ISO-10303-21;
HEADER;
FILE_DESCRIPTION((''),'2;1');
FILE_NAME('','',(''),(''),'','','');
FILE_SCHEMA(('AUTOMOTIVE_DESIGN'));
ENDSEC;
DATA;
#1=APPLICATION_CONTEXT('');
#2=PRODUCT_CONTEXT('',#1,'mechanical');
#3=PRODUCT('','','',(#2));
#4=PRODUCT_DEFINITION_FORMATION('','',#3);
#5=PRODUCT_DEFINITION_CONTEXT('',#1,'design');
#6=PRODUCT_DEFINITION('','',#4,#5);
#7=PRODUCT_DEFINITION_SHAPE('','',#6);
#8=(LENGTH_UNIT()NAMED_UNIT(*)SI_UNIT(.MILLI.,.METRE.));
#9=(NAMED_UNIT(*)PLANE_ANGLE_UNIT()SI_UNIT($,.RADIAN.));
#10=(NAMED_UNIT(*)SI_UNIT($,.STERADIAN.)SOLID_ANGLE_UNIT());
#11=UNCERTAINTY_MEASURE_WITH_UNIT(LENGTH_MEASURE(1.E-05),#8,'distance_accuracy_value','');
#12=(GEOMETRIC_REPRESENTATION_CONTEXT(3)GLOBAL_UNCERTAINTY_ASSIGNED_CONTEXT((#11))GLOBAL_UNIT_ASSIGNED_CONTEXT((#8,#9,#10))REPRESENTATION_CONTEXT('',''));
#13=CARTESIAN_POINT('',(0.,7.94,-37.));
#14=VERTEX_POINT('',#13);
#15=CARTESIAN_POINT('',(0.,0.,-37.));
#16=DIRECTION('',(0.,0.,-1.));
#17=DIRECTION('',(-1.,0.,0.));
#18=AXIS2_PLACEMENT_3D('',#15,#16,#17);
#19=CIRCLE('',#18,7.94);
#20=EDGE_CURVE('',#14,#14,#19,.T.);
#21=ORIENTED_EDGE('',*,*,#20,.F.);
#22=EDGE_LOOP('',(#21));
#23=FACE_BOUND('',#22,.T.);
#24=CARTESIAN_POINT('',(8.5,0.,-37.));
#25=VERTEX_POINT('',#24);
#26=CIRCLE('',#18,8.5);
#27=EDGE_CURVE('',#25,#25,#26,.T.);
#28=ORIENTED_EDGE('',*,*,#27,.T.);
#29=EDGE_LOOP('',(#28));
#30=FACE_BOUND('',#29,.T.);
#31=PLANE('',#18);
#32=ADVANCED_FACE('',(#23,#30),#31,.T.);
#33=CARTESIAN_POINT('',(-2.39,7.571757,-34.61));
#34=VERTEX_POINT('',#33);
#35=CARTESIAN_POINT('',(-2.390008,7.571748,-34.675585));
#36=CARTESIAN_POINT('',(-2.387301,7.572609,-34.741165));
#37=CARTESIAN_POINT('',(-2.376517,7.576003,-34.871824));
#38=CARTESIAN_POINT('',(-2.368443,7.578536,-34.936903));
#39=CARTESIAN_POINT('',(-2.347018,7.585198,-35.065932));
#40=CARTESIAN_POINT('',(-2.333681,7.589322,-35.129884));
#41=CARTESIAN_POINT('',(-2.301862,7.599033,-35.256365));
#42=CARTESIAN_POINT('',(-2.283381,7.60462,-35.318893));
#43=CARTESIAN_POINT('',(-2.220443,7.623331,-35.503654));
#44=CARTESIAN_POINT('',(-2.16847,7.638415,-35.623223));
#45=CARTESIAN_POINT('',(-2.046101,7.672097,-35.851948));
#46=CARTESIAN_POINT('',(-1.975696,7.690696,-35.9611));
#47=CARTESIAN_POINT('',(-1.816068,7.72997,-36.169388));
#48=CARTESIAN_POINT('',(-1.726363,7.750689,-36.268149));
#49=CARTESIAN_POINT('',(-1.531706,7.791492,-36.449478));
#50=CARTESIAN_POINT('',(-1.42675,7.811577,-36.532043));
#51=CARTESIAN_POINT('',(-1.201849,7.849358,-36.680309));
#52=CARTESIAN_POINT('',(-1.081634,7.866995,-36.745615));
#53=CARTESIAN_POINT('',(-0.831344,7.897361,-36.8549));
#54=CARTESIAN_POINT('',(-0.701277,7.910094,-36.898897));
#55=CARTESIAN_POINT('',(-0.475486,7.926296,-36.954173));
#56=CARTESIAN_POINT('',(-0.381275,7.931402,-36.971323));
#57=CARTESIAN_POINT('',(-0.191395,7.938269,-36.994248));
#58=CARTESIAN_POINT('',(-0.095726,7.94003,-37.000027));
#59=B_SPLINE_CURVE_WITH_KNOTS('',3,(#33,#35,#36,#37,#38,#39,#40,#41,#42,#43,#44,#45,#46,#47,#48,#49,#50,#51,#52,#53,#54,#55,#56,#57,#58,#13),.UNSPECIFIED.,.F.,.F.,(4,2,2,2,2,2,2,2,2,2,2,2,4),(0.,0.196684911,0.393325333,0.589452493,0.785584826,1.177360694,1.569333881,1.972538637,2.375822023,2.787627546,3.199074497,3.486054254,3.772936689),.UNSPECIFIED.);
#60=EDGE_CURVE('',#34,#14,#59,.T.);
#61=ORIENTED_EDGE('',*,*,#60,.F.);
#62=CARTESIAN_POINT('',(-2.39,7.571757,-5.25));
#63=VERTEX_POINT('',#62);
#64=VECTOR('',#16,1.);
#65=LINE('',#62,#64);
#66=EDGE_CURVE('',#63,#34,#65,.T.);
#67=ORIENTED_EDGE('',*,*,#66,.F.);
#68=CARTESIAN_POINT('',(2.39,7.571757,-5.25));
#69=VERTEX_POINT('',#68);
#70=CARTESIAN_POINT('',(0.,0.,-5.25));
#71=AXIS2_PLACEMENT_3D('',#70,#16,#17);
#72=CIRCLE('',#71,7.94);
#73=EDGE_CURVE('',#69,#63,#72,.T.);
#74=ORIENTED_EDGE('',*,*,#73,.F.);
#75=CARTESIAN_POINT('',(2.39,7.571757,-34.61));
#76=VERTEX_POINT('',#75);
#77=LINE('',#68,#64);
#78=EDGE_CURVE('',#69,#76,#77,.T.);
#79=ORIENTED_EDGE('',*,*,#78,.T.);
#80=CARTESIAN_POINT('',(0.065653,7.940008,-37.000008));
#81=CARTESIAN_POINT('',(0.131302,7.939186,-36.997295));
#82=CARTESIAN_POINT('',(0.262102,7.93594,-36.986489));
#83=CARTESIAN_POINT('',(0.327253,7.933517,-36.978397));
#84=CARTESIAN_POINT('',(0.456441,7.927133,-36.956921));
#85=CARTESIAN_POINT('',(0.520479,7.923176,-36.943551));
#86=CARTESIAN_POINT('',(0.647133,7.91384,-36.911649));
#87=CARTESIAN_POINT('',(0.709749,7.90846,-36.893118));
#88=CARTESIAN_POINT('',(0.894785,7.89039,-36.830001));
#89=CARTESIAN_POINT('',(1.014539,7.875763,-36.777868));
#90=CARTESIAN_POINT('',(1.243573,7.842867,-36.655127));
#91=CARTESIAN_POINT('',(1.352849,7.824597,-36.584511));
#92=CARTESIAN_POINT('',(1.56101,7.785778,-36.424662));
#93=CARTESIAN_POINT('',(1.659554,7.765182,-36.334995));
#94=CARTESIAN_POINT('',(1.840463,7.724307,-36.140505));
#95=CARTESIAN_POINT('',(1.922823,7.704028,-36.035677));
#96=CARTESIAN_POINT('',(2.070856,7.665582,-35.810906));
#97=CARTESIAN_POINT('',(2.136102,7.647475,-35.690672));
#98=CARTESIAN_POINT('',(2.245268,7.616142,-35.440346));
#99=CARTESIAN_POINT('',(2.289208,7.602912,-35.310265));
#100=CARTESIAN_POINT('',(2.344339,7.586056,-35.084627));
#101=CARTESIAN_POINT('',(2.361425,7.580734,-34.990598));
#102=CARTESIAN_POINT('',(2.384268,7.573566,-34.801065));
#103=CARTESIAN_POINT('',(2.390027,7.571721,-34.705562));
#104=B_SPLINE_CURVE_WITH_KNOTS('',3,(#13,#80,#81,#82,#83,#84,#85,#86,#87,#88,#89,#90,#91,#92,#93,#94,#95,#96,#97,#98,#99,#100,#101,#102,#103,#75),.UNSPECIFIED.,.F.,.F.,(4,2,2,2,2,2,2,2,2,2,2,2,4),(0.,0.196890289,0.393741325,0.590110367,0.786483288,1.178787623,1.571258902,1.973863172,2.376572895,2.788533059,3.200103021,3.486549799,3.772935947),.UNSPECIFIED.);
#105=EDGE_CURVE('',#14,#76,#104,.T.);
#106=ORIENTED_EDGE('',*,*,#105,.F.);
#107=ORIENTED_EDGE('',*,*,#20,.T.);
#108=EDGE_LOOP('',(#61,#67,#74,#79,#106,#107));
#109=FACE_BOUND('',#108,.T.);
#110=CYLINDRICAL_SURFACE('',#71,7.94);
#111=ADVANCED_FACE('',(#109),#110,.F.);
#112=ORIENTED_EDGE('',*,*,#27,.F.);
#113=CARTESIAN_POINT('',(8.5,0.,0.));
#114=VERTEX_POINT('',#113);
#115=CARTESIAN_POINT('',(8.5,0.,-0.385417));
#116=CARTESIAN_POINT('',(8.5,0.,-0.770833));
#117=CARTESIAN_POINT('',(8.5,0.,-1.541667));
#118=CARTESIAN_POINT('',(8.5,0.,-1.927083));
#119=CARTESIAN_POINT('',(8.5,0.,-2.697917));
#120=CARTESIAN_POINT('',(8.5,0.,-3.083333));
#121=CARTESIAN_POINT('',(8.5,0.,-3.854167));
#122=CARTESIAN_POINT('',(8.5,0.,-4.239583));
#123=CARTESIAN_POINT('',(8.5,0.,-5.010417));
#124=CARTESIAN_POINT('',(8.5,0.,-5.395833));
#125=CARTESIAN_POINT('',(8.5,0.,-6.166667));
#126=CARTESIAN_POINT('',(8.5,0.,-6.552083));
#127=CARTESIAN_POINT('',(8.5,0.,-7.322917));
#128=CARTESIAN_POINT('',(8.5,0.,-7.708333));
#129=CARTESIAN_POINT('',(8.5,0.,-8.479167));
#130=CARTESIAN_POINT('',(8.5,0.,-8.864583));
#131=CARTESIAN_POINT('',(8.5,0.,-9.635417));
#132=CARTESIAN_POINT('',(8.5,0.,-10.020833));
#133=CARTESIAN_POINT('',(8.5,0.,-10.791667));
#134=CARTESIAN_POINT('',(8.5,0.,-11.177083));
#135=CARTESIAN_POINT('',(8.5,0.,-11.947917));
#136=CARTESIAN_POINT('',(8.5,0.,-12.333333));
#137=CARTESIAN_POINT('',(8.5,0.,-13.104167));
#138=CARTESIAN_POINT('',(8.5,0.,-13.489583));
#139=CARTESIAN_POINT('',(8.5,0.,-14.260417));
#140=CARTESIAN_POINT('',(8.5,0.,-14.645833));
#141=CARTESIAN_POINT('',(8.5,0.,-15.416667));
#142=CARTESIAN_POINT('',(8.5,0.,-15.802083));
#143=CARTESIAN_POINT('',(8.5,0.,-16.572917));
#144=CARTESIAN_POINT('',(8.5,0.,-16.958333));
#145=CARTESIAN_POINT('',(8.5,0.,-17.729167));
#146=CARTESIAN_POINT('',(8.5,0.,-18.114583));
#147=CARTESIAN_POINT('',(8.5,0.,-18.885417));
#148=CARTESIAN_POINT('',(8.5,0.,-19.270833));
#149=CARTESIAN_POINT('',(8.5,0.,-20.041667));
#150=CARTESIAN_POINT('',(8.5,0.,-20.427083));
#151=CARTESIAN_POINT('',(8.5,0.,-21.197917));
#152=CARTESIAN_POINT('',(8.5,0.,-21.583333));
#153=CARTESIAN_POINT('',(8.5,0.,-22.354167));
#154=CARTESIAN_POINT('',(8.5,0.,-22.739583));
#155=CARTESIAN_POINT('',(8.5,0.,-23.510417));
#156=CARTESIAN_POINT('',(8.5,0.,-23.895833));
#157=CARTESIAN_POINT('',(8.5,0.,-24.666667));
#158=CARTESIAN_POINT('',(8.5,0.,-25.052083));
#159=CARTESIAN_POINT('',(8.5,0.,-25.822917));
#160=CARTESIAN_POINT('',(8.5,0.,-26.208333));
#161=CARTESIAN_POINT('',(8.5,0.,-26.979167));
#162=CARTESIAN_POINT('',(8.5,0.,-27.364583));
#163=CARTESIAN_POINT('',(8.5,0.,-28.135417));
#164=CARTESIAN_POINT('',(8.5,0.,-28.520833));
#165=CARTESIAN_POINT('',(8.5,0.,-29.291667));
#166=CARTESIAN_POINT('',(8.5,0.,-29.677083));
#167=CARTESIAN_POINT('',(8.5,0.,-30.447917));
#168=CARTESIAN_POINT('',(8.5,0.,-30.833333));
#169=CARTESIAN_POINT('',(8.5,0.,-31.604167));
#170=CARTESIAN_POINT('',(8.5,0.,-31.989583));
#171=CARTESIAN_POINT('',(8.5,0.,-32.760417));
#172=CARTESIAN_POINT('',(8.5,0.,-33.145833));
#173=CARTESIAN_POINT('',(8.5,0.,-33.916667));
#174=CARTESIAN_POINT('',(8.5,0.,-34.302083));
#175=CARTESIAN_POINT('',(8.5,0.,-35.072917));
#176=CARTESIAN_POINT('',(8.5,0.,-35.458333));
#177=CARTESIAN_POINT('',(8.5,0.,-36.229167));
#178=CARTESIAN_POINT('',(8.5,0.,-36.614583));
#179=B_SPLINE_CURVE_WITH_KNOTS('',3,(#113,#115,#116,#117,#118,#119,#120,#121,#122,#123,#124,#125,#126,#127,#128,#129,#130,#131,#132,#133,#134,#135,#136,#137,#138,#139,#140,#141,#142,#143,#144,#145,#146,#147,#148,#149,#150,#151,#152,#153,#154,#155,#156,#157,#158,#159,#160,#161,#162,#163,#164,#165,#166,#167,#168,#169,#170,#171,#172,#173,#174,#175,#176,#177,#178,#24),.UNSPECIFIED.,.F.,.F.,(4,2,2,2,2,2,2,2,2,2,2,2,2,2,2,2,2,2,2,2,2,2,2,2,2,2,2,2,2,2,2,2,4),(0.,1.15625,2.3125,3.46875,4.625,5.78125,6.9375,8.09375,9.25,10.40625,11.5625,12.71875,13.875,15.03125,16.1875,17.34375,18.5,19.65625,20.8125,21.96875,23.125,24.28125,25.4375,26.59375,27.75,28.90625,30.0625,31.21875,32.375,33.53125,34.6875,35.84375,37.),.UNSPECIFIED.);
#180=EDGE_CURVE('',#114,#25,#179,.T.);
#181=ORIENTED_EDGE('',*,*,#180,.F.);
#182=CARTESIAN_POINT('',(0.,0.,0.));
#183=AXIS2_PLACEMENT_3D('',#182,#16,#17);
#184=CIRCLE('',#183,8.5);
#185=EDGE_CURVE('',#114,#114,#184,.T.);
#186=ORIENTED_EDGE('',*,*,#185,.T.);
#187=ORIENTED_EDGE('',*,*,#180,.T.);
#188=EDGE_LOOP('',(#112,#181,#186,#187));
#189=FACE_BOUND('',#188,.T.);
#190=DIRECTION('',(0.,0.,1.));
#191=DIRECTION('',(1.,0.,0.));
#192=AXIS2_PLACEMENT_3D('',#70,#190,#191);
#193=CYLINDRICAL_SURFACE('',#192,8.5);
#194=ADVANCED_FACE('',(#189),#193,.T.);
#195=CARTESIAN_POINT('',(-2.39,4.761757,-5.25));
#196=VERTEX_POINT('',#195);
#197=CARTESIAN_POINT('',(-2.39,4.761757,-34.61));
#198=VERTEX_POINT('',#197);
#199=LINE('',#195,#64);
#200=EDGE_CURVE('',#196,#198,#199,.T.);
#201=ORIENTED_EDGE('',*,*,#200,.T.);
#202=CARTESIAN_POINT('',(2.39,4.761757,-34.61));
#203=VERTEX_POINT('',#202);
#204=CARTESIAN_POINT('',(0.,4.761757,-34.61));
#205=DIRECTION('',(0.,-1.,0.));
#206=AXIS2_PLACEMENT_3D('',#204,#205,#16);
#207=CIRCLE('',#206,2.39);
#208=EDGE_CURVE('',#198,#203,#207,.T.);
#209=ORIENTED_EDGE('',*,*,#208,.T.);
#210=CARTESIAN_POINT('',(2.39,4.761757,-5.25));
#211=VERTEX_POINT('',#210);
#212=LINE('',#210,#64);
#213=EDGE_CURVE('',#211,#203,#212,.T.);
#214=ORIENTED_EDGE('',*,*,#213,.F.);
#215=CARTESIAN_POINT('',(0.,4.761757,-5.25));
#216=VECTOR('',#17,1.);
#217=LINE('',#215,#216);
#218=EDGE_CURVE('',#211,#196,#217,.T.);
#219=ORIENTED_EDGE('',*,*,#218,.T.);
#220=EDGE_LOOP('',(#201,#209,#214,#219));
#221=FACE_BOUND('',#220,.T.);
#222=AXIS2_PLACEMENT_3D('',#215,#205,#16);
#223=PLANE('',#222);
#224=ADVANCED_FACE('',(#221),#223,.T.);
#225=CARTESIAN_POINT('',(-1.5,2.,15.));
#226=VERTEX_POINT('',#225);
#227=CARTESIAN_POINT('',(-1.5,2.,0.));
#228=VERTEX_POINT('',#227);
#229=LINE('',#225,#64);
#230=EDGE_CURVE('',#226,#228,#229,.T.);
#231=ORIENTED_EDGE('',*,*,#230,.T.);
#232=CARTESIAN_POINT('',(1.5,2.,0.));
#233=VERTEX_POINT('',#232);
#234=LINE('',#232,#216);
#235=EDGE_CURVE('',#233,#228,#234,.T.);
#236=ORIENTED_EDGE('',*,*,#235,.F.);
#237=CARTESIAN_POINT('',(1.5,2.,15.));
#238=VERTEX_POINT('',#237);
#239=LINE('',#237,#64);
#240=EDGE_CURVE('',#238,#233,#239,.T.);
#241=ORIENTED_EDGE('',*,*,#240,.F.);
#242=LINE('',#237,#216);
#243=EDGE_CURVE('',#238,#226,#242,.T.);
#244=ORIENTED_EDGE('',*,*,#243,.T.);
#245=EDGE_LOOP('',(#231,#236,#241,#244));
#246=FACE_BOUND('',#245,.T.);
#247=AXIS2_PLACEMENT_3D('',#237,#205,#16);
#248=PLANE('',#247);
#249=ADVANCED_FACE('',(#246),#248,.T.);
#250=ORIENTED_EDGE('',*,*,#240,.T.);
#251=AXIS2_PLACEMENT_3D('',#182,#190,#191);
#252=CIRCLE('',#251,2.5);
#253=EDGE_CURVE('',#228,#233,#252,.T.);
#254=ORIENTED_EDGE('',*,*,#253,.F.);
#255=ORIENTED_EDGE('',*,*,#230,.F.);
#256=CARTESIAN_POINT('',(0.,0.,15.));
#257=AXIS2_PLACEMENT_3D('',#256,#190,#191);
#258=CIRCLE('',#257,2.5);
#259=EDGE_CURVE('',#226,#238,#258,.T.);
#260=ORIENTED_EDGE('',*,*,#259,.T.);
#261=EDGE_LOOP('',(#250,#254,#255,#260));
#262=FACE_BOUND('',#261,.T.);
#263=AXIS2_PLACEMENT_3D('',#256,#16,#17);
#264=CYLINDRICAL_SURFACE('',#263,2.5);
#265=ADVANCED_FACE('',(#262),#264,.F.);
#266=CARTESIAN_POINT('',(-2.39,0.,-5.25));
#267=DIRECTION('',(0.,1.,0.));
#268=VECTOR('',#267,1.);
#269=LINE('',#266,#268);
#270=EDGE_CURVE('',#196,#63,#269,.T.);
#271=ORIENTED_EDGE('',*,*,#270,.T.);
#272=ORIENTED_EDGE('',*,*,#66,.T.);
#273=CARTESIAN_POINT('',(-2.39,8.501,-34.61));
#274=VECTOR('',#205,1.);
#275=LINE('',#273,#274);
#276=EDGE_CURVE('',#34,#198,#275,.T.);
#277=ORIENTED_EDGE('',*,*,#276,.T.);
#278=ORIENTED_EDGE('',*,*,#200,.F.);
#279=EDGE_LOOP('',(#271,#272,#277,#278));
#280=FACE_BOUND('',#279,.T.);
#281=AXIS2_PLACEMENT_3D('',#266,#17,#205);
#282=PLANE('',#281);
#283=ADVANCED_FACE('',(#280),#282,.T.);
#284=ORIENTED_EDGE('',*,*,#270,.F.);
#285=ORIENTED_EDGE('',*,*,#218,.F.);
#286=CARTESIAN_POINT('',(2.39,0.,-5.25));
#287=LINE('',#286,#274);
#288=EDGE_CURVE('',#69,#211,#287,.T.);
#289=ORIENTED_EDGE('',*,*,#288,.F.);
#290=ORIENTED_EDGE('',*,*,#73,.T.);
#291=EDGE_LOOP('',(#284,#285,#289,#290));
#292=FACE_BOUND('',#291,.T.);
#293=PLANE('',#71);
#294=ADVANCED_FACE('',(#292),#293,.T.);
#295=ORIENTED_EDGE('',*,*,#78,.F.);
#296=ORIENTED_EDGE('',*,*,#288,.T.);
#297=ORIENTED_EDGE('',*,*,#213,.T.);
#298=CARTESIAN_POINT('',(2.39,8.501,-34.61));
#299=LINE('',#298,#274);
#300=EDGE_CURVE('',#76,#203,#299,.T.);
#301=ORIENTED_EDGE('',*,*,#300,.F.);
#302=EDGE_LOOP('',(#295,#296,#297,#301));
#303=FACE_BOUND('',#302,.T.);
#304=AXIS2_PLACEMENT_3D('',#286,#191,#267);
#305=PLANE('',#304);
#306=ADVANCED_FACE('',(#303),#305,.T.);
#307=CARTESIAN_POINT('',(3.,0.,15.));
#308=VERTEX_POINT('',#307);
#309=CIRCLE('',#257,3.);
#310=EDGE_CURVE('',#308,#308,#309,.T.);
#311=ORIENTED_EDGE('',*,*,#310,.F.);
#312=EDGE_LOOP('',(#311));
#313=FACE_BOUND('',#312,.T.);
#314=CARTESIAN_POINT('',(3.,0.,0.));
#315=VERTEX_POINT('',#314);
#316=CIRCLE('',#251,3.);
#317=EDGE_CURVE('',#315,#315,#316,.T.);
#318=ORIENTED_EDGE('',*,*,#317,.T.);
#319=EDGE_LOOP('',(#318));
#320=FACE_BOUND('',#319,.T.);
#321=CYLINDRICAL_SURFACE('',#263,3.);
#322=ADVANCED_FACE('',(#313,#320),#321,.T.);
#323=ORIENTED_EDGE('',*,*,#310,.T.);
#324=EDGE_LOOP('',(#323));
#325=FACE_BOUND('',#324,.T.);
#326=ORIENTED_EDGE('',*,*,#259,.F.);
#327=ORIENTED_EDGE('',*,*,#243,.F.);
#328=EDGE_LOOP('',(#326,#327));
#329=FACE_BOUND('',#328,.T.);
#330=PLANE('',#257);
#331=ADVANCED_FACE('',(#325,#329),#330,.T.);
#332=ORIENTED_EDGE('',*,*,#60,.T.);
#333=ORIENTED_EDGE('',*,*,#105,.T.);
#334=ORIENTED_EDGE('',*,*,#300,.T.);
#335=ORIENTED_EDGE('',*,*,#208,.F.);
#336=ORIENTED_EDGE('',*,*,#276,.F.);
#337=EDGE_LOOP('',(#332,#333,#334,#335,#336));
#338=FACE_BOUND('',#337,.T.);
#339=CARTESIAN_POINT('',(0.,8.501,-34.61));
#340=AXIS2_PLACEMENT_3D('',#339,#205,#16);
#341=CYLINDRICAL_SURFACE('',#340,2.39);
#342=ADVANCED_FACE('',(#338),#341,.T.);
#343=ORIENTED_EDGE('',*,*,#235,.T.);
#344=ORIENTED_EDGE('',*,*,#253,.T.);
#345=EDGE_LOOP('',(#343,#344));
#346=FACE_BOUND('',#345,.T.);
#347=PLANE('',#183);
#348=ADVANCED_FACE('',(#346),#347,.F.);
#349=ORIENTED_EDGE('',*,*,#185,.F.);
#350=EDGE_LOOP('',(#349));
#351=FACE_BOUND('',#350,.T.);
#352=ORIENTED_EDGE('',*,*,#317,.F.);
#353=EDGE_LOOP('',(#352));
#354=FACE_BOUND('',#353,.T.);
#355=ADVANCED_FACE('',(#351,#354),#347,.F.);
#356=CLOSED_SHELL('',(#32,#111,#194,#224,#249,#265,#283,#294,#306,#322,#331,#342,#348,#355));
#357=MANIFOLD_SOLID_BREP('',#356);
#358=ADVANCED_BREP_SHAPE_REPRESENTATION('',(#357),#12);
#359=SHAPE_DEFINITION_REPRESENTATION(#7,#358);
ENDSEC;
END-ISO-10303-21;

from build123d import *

# Parameters (mm, degrees)
SKETCH1_R               = 3
BOSS_EXTRUDE1_DEPTH     = 15
SKETCH2_R               = 8.5
BOSS_EXTRUDE2_DEPTH     = 5.25
SKETCH3_R               = 8.5
BOSS_EXTRUDE4_DEPTH     = 31.75
CUT_EXTRUDE4_DEPTH      = 31.75
CUT_EXTRUDE5_REACH      = 42.213
CUT_EXTRUDE5_END_RADIUS = 7.94


with BuildPart() as part:
    # Sketch1 → Boss-Extrude1 (new body)
    with BuildSketch(Plane.XY):
        Circle(SKETCH1_R)
        with BuildLine():
            Line((1.5, 2), (-1.5, 2))
            ThreePointArc((-1.5, 2), (0, -2.5), (1.5, 2))
        make_face(mode=Mode.SUBTRACT)
    extrude(amount=BOSS_EXTRUDE1_DEPTH)

    # Sketch2 → Boss-Extrude2 (add)
    with BuildSketch(Plane(origin=(0, 0, 0), x_dir=(-1, 0, 0), z_dir=(0, 0, -1))):
        with Locations(Location((0, 0, 0), (0, 0, 180))):
            Circle(SKETCH2_R)
    extrude(amount=BOSS_EXTRUDE2_DEPTH)

    # Sketch3 → Boss-Extrude4 (add)
    with BuildSketch(Plane(origin=(0, 0, -5.25), x_dir=(-1, 0, 0), z_dir=(0, 0, -1))):
        with Locations(Location((0, 0, 0), (0, 0, 180))):
            Circle(SKETCH3_R)
    extrude(amount=BOSS_EXTRUDE4_DEPTH)

    # Sketch13 → Cut-Extrude4 (cut)
    with BuildSketch(Plane(origin=(0, 0, -37), x_dir=(-1, 0, 0), z_dir=(0, 0, -1))):
        with BuildLine():
            Line((-2.39, 4.761756731), (-2.39, 7.571756731))
            ThreePointArc((-2.39, 7.571756731), (-4.693985513, -6.403912866), (7.94, 0))
            ThreePointArc((7.94, 0), (6.403912866, 4.693985513), (2.39, 7.571756731))
            Line((2.39, 7.571756731), (2.39, 4.761756731))
            Line((2.39, 4.761756731), (-2.39, 4.761756731))
        make_face()
    extrude(amount=-CUT_EXTRUDE4_DEPTH, mode=Mode.SUBTRACT)

    # Cut-Extrude5: up to this cylinder (the profile starts inside it)
    cut_extrude5_end = Plane(origin=(0, 0, -36.466151), z_dir=(0, 0, -1)) * Cylinder(CUT_EXTRUDE5_END_RADIUS, 101.306, mode=Mode.PRIVATE)
    # Sketch14 → Cut-Extrude5 (cut, up to the surface)
    with BuildSketch(Plane.XZ.offset(-4.761756731), mode=Mode.PRIVATE) as cut_extrude5_sk1:
        with BuildLine():
            Line((2.39, -37), (2.39, -34.61))
            ThreePointArc((2.39, -34.61), (1.689985208, -36.299985206), (3e-09, -37))
            Line((3e-09, -37), (2.39, -37))
        make_face()
    cut_extrude5_tool1 = extrude(cut_extrude5_sk1.sketch, amount=-CUT_EXTRUDE5_REACH, mode=Mode.PRIVATE) & cut_extrude5_end
    add(cut_extrude5_tool1.solids().sort_by_distance((1.856151, 4.761757, -36.466151))[0], mode=Mode.SUBTRACT)
    # Sketch14 → Cut-Extrude5 (cut, up to the surface)
    with BuildSketch(Plane.XZ.offset(-4.761756731), mode=Mode.PRIVATE) as cut_extrude5_sk2:
        with BuildLine():
            ThreePointArc((3e-09, -37), (-1.689985206, -36.299985208), (-2.39, -34.61))
            Line((-2.39, -34.61), (-2.39, -37))
            Line((-2.39, -37), (3e-09, -37))
        make_face()
    cut_extrude5_tool2 = extrude(cut_extrude5_sk2.sketch, amount=-CUT_EXTRUDE5_REACH, mode=Mode.PRIVATE) & cut_extrude5_end
    add(cut_extrude5_tool2.solids().sort_by_distance((-1.856151, 4.761757, -36.466151))[0], mode=Mode.SUBTRACT)


solid = part.part
